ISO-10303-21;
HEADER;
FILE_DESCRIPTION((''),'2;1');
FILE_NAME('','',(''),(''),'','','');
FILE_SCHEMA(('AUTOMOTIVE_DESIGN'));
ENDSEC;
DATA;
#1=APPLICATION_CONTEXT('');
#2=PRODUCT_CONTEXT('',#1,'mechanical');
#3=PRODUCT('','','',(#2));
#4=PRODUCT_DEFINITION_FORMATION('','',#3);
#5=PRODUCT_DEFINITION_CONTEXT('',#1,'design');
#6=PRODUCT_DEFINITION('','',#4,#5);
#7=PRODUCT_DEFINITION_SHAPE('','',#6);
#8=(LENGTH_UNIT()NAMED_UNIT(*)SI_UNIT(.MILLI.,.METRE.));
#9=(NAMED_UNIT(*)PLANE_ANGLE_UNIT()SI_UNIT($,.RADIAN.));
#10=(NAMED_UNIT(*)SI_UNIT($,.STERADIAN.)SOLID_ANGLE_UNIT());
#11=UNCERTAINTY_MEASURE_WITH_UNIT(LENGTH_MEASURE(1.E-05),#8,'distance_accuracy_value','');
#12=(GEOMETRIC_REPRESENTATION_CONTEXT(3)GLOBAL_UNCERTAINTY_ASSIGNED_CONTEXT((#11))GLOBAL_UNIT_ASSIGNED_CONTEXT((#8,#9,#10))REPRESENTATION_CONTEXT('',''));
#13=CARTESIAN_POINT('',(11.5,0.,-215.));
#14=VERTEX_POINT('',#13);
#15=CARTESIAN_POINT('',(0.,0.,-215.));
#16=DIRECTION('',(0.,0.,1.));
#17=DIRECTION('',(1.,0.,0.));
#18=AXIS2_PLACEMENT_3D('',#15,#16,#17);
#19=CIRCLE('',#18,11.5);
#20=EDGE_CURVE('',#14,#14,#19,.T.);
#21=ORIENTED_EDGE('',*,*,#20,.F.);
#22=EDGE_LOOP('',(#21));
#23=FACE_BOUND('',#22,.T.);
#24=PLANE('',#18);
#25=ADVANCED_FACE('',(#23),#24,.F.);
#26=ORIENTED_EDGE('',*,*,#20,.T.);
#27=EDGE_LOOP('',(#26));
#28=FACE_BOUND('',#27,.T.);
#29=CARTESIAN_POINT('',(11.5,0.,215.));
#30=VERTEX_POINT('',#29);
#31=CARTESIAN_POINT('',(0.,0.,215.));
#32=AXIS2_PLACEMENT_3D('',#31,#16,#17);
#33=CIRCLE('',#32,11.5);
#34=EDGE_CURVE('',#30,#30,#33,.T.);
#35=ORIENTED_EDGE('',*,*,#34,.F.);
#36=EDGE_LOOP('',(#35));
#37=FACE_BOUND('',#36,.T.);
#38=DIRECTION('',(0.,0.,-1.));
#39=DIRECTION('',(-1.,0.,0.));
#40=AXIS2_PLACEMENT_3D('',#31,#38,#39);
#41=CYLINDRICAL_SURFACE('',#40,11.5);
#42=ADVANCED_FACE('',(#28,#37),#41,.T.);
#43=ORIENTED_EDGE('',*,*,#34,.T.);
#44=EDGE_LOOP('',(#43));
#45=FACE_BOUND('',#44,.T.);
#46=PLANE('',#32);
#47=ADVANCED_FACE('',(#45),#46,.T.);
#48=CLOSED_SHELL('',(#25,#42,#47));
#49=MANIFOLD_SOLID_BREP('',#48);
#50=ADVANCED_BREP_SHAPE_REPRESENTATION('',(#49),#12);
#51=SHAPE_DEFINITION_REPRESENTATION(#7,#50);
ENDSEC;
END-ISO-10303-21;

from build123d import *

# Parameters (mm, degrees)
SKETCH1_R           = 11.5
BOSS_EXTRUDE1_DEPTH = 215


with BuildPart() as part:
    # Sketch1 → Boss-Extrude1 (new body, symmetric)
    with BuildSketch(Plane.XY):
        Circle(SKETCH1_R)
    extrude(amount=BOSS_EXTRUDE1_DEPTH, both=True)


solid = part.part
